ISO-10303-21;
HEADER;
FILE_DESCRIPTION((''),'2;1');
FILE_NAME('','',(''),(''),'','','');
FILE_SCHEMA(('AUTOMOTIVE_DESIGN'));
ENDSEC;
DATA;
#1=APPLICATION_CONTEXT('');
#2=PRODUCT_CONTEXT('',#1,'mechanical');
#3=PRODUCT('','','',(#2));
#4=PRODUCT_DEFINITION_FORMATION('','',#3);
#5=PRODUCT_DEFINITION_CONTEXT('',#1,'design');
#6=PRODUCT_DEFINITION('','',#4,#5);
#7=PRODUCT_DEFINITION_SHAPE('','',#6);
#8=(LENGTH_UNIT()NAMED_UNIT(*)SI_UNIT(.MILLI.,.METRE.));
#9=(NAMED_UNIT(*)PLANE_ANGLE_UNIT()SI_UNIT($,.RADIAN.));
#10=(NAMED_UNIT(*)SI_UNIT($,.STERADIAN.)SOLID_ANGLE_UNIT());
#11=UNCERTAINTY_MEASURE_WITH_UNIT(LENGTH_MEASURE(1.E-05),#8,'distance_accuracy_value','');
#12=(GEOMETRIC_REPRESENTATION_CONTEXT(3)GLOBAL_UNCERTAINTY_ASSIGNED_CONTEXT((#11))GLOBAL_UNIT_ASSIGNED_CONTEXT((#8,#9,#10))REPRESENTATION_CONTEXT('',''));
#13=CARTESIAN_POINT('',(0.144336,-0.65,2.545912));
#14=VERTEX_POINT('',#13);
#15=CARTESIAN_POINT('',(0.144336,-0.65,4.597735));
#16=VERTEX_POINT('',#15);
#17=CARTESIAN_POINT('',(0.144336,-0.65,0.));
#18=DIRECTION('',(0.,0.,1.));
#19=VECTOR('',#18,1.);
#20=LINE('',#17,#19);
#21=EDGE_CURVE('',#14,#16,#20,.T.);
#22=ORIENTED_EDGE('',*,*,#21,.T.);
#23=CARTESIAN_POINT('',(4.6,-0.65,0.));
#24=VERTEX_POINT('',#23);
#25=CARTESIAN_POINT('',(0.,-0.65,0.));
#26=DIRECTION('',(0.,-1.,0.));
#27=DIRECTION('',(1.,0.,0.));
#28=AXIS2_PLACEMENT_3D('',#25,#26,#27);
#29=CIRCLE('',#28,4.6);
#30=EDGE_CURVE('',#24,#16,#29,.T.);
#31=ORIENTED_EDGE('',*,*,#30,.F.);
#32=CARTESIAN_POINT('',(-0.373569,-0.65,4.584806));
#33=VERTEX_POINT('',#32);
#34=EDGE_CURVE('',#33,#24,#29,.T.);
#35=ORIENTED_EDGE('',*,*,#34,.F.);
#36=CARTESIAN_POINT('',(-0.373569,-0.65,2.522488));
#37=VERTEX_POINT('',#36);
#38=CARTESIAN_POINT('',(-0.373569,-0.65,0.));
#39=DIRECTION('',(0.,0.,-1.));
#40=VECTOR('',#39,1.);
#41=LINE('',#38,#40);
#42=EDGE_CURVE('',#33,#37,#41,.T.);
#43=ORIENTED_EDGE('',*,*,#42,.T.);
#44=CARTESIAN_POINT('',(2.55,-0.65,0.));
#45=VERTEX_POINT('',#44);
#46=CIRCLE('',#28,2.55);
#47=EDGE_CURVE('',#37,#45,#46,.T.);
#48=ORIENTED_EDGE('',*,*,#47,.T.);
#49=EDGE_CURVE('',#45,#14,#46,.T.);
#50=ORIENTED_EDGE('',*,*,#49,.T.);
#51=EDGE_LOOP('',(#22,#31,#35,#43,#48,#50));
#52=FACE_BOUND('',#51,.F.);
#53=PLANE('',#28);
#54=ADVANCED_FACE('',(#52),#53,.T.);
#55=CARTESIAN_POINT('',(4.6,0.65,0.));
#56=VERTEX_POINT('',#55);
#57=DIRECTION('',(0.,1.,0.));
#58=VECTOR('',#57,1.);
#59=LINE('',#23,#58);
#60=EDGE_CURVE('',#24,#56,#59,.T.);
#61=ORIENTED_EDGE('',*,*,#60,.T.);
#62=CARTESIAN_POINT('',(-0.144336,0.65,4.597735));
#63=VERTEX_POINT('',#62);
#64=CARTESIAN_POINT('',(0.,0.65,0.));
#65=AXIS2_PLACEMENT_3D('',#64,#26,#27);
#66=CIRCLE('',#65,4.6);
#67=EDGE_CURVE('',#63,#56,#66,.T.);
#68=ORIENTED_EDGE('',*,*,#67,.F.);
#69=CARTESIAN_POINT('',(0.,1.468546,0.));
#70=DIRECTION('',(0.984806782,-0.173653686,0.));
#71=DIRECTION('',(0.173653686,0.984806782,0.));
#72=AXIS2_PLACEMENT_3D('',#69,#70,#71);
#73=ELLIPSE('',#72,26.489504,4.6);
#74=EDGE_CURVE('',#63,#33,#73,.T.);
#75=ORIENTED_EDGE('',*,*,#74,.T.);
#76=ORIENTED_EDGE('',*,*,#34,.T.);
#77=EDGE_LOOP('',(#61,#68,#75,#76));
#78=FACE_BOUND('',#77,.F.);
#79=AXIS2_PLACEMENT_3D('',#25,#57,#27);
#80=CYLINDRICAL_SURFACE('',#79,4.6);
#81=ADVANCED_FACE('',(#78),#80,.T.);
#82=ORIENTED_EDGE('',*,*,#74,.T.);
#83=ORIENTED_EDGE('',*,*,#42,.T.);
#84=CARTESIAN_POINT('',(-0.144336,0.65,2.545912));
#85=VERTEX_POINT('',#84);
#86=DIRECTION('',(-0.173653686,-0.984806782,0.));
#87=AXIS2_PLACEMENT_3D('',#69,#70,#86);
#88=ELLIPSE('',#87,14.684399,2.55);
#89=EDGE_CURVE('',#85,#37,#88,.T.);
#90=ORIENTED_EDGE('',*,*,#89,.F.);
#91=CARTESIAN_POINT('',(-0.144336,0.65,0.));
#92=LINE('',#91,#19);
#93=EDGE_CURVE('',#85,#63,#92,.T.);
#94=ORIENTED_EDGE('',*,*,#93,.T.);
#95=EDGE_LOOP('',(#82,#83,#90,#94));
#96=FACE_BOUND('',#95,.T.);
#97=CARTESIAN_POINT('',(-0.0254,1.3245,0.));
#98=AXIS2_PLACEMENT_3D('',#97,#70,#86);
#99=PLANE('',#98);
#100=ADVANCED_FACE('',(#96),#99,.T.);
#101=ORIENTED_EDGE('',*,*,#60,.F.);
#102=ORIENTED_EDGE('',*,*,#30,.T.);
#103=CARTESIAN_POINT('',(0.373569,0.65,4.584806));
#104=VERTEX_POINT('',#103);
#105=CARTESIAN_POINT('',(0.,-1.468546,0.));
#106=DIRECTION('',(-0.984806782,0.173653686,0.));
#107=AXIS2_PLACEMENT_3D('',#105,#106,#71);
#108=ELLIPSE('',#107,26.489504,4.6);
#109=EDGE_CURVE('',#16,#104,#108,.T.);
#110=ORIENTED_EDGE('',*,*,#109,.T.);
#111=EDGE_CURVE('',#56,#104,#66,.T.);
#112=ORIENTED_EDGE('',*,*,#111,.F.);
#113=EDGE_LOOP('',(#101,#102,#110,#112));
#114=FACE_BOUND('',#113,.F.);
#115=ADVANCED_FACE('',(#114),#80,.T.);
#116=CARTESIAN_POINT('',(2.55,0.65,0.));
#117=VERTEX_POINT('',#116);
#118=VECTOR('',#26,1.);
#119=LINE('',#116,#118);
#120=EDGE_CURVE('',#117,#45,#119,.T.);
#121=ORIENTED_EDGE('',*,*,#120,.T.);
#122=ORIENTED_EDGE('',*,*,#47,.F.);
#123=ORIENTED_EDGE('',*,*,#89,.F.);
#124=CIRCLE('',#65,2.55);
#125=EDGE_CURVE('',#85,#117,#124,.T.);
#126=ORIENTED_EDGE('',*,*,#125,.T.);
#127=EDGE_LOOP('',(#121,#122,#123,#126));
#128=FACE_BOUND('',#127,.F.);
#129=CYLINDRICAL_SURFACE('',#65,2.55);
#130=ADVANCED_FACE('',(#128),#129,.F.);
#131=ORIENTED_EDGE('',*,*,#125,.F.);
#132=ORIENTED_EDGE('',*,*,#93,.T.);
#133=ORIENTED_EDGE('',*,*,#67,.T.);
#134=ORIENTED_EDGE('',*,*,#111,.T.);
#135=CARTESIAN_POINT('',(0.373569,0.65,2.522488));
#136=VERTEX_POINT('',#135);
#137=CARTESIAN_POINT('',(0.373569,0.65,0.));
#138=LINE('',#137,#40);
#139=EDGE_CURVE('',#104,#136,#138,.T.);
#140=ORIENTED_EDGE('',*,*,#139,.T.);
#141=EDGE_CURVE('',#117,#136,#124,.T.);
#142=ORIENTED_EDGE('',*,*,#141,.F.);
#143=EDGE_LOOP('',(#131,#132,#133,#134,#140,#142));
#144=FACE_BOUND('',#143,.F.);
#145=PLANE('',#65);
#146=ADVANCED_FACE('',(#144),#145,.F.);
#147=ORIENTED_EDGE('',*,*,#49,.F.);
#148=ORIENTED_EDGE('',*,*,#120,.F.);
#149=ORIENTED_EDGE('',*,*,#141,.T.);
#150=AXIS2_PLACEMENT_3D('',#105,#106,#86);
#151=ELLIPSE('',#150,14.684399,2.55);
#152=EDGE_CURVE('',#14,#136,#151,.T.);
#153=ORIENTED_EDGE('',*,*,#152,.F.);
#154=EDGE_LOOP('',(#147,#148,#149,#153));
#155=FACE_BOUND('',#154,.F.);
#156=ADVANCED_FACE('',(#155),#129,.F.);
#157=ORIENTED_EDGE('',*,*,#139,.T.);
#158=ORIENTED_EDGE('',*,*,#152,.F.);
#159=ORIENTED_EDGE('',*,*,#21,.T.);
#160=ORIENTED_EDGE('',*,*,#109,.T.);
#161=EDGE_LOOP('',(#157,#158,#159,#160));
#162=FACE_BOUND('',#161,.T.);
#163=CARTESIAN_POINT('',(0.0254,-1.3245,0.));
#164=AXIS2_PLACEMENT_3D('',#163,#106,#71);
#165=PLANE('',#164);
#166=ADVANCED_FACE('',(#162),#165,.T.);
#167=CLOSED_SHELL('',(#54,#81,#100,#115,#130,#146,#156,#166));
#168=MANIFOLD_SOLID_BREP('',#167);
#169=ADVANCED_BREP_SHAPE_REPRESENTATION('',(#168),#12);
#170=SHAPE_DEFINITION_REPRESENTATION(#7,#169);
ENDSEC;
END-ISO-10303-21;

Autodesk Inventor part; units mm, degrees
sketch "Sketch_1" plane through (0, 0, 0) normal (0, 0, 1) x (1, 0, 0)
  line L0 (0, -50) -> (0, 50)
  line L1 (2.55, -0.65) -> (4.6, -0.65)
  line L2 (4.6, -0.65) -> (4.6, 0.65)
  line L3 (4.6, 0.65) -> (2.55, 0.65)
  line L4 (2.55, 0.65) -> (2.55, -0.65)
revolve "Revolution1" add sketch "Sketch_1" angle 360 about axis through (0, -50, 0) along (0, -1, 0)
sketch "Sketch_3" plane through (0, 0, 0) normal (0, 0, 1) x (1, 0, 0)
  line L0 (-0.4769, -1.236) -> (0.0254, -1.3245)
  line L1 (0.0254, -1.3245) -> (0.4769, 1.236)
  line L2 (0.4769, 1.236) -> (-0.0254, 1.3245)
  line L3 (-0.0254, 1.3245) -> (-0.4769, -1.236)
extrude "Extrusion1" cut sketch "Sketch_3" along normal blind 5.6
ref_plane "CP_XY" through (0, -0.65, 0) normal (0, -1, 0) x (1, 0, 0)
ref_plane "CP_YZ" through (0, -0.65, 0) normal (1, 0, 0) x (0, 0, 1)
ref_plane "CP_ZX" through (0, -0.65, 0) normal (0, 0, 1) x (0, -1, 0)
ref_plane "to_bolt_XY" through (0, 0.65, 0) normal (0, 1, 0) x (1, 0, 0)
ref_plane "to_bolt_YZ" through (0, 0.65, 0) normal (1, 0, 0) x (0, 0, -1)
ref_plane "to_bolt_ZX" through (0, 0.65, 0) normal (0, 0, -1) x (0, 1, 0)
properties part number "SPRING_WASHER5.1-9.2-1.3"
